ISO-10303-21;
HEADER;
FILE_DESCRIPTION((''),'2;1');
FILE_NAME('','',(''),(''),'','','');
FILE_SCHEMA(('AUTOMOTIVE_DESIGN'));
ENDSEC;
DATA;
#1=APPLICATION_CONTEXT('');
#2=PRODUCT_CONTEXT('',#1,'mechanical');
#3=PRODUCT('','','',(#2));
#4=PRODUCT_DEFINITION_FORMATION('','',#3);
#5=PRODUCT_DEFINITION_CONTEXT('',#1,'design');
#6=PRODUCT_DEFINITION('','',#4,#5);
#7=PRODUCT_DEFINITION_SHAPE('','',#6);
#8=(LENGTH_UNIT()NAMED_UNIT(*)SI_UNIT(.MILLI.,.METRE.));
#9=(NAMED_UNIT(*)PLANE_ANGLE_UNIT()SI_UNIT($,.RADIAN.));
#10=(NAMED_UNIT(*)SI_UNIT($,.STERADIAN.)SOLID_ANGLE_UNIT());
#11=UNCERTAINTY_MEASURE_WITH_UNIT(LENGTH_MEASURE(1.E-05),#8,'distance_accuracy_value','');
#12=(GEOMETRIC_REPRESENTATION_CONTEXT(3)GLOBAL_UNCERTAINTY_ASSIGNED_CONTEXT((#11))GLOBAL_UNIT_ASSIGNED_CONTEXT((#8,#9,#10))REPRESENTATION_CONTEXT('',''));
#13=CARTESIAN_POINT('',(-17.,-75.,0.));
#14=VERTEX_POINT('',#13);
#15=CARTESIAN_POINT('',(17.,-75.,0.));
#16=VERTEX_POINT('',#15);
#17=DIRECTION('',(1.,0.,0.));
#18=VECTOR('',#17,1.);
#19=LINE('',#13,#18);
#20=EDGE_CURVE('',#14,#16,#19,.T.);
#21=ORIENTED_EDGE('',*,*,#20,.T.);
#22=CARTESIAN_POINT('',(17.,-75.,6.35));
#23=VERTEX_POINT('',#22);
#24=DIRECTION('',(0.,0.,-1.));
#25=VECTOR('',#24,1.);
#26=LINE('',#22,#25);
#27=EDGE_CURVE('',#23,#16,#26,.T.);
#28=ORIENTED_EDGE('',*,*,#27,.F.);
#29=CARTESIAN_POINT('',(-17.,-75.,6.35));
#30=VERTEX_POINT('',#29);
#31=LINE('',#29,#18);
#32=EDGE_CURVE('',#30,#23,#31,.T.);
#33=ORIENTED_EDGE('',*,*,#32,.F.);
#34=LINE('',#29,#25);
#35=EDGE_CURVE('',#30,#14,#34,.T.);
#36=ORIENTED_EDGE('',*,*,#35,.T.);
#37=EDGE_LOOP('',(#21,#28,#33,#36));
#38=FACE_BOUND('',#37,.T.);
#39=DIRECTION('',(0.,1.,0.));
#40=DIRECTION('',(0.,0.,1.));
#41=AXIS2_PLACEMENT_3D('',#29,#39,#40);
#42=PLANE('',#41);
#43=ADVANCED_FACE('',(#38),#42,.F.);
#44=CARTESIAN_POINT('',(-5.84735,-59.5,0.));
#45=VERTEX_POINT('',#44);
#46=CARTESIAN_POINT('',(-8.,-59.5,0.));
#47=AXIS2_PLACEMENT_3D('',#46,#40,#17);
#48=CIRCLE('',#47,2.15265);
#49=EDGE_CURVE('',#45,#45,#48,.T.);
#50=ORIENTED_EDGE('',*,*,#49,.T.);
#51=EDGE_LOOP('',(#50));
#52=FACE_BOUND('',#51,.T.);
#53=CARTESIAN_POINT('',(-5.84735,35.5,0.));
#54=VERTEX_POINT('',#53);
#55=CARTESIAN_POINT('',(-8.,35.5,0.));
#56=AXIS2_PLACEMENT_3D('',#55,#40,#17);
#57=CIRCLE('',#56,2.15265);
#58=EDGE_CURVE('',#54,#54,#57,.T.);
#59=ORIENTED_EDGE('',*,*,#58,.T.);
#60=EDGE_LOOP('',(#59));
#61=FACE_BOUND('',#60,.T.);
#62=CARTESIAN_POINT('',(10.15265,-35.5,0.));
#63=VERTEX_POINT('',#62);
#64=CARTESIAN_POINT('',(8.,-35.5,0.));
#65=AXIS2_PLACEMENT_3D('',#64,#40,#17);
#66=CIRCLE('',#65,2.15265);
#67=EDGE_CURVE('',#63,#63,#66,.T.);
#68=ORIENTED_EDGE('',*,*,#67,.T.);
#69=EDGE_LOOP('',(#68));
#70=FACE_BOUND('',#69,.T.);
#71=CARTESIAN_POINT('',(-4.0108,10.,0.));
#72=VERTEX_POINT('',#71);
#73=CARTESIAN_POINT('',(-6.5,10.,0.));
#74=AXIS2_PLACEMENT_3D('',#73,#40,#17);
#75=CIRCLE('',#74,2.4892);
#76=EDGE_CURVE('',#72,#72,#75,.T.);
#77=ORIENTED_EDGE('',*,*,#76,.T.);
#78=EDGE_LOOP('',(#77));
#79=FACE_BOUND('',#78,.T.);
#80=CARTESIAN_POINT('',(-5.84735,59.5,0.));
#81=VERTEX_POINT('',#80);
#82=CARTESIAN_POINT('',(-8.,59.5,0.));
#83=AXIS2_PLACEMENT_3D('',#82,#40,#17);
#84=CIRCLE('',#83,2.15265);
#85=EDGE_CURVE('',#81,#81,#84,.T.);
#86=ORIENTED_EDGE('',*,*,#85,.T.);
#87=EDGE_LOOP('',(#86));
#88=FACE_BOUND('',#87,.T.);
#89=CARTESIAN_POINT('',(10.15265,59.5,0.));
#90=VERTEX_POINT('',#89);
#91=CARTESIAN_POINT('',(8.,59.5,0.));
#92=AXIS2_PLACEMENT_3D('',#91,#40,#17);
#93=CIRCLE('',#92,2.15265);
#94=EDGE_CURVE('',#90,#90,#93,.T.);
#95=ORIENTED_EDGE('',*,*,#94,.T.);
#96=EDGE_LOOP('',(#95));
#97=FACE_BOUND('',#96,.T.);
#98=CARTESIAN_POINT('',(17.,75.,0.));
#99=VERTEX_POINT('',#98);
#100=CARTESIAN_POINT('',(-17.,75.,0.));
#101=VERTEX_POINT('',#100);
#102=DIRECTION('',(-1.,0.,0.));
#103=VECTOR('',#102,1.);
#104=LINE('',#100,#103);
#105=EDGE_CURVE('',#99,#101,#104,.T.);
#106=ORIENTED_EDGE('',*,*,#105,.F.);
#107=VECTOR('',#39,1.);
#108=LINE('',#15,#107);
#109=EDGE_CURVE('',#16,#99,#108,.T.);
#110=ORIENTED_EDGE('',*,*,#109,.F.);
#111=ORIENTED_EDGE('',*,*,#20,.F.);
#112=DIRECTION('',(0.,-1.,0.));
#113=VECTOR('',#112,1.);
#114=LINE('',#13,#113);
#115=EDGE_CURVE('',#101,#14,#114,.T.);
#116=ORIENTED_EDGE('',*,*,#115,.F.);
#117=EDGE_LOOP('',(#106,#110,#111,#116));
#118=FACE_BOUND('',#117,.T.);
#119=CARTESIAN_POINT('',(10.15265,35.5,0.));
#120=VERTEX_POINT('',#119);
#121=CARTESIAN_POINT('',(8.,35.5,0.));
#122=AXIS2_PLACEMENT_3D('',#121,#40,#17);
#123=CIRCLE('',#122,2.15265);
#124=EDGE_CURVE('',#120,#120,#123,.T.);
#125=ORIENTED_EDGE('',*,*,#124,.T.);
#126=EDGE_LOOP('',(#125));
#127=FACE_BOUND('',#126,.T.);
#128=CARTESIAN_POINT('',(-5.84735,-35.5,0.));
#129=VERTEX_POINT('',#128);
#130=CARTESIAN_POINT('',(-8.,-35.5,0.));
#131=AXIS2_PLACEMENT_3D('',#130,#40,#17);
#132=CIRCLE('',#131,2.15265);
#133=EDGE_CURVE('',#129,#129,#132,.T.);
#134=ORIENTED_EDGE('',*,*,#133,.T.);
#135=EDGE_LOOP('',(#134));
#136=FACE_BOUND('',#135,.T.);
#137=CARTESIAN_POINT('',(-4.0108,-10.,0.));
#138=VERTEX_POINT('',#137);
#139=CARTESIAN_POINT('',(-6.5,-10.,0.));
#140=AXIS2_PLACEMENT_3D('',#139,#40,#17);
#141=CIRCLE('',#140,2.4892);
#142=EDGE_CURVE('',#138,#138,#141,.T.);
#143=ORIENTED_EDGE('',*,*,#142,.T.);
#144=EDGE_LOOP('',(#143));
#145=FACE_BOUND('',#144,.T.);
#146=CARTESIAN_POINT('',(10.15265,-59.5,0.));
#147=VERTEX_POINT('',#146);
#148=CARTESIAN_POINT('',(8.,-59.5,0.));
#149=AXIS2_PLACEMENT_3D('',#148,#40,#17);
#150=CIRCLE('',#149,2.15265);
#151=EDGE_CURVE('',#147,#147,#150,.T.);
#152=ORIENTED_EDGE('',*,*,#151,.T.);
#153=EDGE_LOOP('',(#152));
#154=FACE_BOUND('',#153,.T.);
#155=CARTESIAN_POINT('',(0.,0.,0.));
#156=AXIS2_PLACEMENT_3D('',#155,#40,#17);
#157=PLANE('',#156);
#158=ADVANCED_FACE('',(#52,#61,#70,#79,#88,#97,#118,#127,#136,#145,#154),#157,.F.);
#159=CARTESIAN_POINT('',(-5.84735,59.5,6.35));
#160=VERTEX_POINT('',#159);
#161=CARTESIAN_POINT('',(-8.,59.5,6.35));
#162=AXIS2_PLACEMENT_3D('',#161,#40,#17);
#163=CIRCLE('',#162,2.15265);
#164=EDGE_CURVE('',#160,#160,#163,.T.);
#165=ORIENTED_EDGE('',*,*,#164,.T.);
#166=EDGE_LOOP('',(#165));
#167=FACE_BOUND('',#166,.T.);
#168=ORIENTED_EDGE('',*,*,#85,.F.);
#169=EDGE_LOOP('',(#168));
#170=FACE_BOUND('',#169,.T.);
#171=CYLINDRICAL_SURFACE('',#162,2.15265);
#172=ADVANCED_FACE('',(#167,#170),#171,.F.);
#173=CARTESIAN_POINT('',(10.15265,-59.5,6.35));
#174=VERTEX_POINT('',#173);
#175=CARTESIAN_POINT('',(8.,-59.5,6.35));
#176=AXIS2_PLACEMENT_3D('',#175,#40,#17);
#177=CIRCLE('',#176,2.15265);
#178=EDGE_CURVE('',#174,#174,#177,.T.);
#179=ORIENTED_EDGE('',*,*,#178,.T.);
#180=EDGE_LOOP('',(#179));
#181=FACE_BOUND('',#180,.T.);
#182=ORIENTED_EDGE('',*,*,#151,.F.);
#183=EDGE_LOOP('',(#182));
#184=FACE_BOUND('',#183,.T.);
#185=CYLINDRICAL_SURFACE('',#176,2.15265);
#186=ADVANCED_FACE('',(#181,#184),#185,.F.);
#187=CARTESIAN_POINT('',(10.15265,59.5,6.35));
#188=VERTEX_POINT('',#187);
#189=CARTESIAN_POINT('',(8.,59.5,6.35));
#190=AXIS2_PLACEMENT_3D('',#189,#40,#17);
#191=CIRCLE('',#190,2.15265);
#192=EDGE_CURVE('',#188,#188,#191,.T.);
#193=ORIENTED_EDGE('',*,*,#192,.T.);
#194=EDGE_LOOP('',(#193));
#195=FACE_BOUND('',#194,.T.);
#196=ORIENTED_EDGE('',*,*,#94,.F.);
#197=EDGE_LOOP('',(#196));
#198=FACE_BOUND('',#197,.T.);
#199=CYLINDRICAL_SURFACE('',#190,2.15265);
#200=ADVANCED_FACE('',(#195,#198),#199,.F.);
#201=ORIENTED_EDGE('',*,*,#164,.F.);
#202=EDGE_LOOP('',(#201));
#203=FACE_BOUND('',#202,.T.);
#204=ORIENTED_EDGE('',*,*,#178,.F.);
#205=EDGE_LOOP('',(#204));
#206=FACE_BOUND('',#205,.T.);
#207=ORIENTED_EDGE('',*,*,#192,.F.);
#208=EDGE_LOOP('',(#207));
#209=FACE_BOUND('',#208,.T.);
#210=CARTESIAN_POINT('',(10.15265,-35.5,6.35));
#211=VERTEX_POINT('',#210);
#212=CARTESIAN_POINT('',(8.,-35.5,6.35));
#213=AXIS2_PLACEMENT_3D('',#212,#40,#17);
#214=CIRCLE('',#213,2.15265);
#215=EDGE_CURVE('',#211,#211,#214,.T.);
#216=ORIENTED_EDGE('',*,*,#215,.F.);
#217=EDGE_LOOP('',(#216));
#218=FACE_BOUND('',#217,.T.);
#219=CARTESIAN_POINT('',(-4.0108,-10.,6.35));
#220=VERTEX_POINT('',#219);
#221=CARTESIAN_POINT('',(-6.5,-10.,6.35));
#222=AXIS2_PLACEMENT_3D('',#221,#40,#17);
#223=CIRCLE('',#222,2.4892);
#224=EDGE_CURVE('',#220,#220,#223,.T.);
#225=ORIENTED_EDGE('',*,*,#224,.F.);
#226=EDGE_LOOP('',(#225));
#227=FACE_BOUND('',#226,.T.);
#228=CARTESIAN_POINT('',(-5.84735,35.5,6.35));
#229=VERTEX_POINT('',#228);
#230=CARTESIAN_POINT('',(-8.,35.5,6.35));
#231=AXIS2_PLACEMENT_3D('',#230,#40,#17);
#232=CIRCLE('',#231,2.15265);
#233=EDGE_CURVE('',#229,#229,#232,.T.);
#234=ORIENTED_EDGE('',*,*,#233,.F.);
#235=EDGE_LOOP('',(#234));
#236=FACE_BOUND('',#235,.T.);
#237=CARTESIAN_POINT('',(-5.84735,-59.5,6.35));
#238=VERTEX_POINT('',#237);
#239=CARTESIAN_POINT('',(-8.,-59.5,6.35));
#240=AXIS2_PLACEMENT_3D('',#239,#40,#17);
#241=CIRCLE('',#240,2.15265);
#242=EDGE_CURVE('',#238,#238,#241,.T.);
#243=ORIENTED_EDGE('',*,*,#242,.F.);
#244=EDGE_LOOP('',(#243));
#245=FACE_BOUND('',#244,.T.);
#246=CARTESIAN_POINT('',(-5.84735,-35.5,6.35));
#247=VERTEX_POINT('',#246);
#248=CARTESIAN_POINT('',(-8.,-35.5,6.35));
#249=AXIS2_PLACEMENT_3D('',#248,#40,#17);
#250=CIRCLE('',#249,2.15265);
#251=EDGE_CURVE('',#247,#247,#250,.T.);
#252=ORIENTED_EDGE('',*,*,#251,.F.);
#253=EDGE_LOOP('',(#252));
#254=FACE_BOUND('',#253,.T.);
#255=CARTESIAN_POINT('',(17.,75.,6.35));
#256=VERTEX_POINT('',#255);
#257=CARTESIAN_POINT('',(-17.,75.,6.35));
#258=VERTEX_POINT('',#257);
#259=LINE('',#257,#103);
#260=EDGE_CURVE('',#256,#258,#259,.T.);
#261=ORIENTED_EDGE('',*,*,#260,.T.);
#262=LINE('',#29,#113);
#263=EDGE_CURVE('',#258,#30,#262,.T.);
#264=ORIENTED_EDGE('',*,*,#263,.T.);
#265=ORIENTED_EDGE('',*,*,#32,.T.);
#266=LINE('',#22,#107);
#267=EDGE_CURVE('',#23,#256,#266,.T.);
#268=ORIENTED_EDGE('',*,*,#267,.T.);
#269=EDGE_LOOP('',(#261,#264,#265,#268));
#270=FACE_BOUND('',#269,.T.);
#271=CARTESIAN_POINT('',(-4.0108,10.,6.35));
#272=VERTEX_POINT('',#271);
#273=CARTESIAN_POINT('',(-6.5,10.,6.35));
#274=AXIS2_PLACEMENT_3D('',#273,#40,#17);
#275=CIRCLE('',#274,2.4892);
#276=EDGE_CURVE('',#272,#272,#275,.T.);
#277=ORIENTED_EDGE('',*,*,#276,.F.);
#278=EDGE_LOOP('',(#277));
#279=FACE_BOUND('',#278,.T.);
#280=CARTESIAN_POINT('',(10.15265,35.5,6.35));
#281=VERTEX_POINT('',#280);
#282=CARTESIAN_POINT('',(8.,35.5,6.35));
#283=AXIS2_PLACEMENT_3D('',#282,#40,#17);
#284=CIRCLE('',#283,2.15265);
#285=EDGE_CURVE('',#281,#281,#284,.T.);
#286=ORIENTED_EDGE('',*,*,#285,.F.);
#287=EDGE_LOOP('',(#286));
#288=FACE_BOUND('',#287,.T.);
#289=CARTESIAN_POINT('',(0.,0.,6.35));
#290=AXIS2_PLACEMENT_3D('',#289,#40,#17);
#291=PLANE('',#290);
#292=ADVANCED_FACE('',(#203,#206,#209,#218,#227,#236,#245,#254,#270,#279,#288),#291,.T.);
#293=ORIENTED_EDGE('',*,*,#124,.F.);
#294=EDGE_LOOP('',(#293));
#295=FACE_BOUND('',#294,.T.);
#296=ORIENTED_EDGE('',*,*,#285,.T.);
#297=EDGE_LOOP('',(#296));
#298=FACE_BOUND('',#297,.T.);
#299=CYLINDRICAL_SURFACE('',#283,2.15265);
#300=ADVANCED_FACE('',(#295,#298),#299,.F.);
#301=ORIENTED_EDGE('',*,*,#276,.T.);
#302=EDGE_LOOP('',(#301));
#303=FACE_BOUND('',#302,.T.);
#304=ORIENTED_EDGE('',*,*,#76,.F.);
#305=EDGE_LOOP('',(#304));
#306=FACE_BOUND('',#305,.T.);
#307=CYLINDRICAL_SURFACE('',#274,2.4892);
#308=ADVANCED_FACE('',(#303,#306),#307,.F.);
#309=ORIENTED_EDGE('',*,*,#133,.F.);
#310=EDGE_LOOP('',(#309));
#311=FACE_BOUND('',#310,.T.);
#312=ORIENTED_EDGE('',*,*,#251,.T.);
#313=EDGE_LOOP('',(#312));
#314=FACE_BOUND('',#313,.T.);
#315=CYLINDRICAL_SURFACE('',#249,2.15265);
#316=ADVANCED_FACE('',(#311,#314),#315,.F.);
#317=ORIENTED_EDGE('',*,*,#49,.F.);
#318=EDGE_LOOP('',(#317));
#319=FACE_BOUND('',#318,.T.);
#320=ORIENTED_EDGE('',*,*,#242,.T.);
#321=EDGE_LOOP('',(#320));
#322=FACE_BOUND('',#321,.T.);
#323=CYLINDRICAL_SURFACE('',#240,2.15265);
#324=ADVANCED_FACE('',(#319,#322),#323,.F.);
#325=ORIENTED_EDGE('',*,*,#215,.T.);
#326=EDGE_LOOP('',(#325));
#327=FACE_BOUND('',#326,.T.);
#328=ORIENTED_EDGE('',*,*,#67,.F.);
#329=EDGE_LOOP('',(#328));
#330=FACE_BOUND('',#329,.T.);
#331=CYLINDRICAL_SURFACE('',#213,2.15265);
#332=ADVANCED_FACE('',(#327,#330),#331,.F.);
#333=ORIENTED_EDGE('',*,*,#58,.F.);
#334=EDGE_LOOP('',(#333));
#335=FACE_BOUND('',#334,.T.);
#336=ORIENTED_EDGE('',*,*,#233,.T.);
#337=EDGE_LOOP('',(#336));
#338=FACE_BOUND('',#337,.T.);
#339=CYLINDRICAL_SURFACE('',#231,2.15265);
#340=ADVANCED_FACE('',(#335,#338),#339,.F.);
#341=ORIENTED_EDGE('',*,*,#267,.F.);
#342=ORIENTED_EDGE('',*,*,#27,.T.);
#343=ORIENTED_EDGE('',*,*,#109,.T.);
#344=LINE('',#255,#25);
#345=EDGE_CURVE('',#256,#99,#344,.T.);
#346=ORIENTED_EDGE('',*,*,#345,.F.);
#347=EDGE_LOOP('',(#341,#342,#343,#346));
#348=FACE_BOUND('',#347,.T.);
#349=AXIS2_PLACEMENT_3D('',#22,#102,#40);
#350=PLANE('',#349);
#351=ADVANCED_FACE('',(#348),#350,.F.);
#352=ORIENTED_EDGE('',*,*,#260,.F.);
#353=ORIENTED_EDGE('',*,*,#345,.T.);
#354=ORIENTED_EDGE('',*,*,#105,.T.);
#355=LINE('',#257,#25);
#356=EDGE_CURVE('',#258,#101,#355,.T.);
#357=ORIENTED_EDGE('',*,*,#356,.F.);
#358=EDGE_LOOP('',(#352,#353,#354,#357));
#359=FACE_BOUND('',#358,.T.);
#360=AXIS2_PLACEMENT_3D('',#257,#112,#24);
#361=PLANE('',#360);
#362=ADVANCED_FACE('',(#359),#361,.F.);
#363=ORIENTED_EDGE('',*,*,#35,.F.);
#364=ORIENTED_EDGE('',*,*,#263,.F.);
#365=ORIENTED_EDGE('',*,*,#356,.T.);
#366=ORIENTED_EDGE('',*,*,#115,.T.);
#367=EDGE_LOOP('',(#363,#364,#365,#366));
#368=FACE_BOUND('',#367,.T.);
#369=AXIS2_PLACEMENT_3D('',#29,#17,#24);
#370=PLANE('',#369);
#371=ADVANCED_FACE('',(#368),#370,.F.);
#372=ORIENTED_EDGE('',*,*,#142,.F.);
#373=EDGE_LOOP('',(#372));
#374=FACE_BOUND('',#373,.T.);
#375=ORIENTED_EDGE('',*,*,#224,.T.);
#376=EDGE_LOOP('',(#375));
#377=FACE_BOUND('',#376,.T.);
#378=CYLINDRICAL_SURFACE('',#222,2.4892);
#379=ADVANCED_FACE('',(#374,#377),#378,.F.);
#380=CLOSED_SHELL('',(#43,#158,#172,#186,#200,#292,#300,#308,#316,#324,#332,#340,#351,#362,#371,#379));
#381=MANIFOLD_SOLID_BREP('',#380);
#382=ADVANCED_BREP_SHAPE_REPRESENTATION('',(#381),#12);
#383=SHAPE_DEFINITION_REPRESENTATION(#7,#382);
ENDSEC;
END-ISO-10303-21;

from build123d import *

# Parameters (mm, degrees)
SKETCH1_W              = 34
SKETCH1_H              = 150
BOSS_EXTRUDE1_DEPTH    = 6.35
F_8_CLEARANCE_HOLE1_D  = 4.3053
F_10_CLEARANCE_HOLE1_D = 4.9784


with BuildPart() as part:
    # Sketch1 → Boss-Extrude1 (new body)
    with BuildSketch(Plane.XY):
        Rectangle(SKETCH1_W, SKETCH1_H)
    extrude(amount=BOSS_EXTRUDE1_DEPTH)

    # #8 Clearance Hole1 (through all)
    with Locations(Plane.XY.offset(6.35)):
        with Locations((-8, 59.5), (8, 59.5), (8, 35.5), (-8, 35.5), (-8, -35.5), (-8, -59.5), (8, -59.5), (8, -35.5)):
            Hole(F_8_CLEARANCE_HOLE1_D / 2)

    # #10 Clearance Hole1 (through all)
    with Locations(Plane.XY.offset(6.35)):
        with Locations((-6.5, 10), (-6.5, -10)):
            Hole(F_10_CLEARANCE_HOLE1_D / 2)


solid = part.part
